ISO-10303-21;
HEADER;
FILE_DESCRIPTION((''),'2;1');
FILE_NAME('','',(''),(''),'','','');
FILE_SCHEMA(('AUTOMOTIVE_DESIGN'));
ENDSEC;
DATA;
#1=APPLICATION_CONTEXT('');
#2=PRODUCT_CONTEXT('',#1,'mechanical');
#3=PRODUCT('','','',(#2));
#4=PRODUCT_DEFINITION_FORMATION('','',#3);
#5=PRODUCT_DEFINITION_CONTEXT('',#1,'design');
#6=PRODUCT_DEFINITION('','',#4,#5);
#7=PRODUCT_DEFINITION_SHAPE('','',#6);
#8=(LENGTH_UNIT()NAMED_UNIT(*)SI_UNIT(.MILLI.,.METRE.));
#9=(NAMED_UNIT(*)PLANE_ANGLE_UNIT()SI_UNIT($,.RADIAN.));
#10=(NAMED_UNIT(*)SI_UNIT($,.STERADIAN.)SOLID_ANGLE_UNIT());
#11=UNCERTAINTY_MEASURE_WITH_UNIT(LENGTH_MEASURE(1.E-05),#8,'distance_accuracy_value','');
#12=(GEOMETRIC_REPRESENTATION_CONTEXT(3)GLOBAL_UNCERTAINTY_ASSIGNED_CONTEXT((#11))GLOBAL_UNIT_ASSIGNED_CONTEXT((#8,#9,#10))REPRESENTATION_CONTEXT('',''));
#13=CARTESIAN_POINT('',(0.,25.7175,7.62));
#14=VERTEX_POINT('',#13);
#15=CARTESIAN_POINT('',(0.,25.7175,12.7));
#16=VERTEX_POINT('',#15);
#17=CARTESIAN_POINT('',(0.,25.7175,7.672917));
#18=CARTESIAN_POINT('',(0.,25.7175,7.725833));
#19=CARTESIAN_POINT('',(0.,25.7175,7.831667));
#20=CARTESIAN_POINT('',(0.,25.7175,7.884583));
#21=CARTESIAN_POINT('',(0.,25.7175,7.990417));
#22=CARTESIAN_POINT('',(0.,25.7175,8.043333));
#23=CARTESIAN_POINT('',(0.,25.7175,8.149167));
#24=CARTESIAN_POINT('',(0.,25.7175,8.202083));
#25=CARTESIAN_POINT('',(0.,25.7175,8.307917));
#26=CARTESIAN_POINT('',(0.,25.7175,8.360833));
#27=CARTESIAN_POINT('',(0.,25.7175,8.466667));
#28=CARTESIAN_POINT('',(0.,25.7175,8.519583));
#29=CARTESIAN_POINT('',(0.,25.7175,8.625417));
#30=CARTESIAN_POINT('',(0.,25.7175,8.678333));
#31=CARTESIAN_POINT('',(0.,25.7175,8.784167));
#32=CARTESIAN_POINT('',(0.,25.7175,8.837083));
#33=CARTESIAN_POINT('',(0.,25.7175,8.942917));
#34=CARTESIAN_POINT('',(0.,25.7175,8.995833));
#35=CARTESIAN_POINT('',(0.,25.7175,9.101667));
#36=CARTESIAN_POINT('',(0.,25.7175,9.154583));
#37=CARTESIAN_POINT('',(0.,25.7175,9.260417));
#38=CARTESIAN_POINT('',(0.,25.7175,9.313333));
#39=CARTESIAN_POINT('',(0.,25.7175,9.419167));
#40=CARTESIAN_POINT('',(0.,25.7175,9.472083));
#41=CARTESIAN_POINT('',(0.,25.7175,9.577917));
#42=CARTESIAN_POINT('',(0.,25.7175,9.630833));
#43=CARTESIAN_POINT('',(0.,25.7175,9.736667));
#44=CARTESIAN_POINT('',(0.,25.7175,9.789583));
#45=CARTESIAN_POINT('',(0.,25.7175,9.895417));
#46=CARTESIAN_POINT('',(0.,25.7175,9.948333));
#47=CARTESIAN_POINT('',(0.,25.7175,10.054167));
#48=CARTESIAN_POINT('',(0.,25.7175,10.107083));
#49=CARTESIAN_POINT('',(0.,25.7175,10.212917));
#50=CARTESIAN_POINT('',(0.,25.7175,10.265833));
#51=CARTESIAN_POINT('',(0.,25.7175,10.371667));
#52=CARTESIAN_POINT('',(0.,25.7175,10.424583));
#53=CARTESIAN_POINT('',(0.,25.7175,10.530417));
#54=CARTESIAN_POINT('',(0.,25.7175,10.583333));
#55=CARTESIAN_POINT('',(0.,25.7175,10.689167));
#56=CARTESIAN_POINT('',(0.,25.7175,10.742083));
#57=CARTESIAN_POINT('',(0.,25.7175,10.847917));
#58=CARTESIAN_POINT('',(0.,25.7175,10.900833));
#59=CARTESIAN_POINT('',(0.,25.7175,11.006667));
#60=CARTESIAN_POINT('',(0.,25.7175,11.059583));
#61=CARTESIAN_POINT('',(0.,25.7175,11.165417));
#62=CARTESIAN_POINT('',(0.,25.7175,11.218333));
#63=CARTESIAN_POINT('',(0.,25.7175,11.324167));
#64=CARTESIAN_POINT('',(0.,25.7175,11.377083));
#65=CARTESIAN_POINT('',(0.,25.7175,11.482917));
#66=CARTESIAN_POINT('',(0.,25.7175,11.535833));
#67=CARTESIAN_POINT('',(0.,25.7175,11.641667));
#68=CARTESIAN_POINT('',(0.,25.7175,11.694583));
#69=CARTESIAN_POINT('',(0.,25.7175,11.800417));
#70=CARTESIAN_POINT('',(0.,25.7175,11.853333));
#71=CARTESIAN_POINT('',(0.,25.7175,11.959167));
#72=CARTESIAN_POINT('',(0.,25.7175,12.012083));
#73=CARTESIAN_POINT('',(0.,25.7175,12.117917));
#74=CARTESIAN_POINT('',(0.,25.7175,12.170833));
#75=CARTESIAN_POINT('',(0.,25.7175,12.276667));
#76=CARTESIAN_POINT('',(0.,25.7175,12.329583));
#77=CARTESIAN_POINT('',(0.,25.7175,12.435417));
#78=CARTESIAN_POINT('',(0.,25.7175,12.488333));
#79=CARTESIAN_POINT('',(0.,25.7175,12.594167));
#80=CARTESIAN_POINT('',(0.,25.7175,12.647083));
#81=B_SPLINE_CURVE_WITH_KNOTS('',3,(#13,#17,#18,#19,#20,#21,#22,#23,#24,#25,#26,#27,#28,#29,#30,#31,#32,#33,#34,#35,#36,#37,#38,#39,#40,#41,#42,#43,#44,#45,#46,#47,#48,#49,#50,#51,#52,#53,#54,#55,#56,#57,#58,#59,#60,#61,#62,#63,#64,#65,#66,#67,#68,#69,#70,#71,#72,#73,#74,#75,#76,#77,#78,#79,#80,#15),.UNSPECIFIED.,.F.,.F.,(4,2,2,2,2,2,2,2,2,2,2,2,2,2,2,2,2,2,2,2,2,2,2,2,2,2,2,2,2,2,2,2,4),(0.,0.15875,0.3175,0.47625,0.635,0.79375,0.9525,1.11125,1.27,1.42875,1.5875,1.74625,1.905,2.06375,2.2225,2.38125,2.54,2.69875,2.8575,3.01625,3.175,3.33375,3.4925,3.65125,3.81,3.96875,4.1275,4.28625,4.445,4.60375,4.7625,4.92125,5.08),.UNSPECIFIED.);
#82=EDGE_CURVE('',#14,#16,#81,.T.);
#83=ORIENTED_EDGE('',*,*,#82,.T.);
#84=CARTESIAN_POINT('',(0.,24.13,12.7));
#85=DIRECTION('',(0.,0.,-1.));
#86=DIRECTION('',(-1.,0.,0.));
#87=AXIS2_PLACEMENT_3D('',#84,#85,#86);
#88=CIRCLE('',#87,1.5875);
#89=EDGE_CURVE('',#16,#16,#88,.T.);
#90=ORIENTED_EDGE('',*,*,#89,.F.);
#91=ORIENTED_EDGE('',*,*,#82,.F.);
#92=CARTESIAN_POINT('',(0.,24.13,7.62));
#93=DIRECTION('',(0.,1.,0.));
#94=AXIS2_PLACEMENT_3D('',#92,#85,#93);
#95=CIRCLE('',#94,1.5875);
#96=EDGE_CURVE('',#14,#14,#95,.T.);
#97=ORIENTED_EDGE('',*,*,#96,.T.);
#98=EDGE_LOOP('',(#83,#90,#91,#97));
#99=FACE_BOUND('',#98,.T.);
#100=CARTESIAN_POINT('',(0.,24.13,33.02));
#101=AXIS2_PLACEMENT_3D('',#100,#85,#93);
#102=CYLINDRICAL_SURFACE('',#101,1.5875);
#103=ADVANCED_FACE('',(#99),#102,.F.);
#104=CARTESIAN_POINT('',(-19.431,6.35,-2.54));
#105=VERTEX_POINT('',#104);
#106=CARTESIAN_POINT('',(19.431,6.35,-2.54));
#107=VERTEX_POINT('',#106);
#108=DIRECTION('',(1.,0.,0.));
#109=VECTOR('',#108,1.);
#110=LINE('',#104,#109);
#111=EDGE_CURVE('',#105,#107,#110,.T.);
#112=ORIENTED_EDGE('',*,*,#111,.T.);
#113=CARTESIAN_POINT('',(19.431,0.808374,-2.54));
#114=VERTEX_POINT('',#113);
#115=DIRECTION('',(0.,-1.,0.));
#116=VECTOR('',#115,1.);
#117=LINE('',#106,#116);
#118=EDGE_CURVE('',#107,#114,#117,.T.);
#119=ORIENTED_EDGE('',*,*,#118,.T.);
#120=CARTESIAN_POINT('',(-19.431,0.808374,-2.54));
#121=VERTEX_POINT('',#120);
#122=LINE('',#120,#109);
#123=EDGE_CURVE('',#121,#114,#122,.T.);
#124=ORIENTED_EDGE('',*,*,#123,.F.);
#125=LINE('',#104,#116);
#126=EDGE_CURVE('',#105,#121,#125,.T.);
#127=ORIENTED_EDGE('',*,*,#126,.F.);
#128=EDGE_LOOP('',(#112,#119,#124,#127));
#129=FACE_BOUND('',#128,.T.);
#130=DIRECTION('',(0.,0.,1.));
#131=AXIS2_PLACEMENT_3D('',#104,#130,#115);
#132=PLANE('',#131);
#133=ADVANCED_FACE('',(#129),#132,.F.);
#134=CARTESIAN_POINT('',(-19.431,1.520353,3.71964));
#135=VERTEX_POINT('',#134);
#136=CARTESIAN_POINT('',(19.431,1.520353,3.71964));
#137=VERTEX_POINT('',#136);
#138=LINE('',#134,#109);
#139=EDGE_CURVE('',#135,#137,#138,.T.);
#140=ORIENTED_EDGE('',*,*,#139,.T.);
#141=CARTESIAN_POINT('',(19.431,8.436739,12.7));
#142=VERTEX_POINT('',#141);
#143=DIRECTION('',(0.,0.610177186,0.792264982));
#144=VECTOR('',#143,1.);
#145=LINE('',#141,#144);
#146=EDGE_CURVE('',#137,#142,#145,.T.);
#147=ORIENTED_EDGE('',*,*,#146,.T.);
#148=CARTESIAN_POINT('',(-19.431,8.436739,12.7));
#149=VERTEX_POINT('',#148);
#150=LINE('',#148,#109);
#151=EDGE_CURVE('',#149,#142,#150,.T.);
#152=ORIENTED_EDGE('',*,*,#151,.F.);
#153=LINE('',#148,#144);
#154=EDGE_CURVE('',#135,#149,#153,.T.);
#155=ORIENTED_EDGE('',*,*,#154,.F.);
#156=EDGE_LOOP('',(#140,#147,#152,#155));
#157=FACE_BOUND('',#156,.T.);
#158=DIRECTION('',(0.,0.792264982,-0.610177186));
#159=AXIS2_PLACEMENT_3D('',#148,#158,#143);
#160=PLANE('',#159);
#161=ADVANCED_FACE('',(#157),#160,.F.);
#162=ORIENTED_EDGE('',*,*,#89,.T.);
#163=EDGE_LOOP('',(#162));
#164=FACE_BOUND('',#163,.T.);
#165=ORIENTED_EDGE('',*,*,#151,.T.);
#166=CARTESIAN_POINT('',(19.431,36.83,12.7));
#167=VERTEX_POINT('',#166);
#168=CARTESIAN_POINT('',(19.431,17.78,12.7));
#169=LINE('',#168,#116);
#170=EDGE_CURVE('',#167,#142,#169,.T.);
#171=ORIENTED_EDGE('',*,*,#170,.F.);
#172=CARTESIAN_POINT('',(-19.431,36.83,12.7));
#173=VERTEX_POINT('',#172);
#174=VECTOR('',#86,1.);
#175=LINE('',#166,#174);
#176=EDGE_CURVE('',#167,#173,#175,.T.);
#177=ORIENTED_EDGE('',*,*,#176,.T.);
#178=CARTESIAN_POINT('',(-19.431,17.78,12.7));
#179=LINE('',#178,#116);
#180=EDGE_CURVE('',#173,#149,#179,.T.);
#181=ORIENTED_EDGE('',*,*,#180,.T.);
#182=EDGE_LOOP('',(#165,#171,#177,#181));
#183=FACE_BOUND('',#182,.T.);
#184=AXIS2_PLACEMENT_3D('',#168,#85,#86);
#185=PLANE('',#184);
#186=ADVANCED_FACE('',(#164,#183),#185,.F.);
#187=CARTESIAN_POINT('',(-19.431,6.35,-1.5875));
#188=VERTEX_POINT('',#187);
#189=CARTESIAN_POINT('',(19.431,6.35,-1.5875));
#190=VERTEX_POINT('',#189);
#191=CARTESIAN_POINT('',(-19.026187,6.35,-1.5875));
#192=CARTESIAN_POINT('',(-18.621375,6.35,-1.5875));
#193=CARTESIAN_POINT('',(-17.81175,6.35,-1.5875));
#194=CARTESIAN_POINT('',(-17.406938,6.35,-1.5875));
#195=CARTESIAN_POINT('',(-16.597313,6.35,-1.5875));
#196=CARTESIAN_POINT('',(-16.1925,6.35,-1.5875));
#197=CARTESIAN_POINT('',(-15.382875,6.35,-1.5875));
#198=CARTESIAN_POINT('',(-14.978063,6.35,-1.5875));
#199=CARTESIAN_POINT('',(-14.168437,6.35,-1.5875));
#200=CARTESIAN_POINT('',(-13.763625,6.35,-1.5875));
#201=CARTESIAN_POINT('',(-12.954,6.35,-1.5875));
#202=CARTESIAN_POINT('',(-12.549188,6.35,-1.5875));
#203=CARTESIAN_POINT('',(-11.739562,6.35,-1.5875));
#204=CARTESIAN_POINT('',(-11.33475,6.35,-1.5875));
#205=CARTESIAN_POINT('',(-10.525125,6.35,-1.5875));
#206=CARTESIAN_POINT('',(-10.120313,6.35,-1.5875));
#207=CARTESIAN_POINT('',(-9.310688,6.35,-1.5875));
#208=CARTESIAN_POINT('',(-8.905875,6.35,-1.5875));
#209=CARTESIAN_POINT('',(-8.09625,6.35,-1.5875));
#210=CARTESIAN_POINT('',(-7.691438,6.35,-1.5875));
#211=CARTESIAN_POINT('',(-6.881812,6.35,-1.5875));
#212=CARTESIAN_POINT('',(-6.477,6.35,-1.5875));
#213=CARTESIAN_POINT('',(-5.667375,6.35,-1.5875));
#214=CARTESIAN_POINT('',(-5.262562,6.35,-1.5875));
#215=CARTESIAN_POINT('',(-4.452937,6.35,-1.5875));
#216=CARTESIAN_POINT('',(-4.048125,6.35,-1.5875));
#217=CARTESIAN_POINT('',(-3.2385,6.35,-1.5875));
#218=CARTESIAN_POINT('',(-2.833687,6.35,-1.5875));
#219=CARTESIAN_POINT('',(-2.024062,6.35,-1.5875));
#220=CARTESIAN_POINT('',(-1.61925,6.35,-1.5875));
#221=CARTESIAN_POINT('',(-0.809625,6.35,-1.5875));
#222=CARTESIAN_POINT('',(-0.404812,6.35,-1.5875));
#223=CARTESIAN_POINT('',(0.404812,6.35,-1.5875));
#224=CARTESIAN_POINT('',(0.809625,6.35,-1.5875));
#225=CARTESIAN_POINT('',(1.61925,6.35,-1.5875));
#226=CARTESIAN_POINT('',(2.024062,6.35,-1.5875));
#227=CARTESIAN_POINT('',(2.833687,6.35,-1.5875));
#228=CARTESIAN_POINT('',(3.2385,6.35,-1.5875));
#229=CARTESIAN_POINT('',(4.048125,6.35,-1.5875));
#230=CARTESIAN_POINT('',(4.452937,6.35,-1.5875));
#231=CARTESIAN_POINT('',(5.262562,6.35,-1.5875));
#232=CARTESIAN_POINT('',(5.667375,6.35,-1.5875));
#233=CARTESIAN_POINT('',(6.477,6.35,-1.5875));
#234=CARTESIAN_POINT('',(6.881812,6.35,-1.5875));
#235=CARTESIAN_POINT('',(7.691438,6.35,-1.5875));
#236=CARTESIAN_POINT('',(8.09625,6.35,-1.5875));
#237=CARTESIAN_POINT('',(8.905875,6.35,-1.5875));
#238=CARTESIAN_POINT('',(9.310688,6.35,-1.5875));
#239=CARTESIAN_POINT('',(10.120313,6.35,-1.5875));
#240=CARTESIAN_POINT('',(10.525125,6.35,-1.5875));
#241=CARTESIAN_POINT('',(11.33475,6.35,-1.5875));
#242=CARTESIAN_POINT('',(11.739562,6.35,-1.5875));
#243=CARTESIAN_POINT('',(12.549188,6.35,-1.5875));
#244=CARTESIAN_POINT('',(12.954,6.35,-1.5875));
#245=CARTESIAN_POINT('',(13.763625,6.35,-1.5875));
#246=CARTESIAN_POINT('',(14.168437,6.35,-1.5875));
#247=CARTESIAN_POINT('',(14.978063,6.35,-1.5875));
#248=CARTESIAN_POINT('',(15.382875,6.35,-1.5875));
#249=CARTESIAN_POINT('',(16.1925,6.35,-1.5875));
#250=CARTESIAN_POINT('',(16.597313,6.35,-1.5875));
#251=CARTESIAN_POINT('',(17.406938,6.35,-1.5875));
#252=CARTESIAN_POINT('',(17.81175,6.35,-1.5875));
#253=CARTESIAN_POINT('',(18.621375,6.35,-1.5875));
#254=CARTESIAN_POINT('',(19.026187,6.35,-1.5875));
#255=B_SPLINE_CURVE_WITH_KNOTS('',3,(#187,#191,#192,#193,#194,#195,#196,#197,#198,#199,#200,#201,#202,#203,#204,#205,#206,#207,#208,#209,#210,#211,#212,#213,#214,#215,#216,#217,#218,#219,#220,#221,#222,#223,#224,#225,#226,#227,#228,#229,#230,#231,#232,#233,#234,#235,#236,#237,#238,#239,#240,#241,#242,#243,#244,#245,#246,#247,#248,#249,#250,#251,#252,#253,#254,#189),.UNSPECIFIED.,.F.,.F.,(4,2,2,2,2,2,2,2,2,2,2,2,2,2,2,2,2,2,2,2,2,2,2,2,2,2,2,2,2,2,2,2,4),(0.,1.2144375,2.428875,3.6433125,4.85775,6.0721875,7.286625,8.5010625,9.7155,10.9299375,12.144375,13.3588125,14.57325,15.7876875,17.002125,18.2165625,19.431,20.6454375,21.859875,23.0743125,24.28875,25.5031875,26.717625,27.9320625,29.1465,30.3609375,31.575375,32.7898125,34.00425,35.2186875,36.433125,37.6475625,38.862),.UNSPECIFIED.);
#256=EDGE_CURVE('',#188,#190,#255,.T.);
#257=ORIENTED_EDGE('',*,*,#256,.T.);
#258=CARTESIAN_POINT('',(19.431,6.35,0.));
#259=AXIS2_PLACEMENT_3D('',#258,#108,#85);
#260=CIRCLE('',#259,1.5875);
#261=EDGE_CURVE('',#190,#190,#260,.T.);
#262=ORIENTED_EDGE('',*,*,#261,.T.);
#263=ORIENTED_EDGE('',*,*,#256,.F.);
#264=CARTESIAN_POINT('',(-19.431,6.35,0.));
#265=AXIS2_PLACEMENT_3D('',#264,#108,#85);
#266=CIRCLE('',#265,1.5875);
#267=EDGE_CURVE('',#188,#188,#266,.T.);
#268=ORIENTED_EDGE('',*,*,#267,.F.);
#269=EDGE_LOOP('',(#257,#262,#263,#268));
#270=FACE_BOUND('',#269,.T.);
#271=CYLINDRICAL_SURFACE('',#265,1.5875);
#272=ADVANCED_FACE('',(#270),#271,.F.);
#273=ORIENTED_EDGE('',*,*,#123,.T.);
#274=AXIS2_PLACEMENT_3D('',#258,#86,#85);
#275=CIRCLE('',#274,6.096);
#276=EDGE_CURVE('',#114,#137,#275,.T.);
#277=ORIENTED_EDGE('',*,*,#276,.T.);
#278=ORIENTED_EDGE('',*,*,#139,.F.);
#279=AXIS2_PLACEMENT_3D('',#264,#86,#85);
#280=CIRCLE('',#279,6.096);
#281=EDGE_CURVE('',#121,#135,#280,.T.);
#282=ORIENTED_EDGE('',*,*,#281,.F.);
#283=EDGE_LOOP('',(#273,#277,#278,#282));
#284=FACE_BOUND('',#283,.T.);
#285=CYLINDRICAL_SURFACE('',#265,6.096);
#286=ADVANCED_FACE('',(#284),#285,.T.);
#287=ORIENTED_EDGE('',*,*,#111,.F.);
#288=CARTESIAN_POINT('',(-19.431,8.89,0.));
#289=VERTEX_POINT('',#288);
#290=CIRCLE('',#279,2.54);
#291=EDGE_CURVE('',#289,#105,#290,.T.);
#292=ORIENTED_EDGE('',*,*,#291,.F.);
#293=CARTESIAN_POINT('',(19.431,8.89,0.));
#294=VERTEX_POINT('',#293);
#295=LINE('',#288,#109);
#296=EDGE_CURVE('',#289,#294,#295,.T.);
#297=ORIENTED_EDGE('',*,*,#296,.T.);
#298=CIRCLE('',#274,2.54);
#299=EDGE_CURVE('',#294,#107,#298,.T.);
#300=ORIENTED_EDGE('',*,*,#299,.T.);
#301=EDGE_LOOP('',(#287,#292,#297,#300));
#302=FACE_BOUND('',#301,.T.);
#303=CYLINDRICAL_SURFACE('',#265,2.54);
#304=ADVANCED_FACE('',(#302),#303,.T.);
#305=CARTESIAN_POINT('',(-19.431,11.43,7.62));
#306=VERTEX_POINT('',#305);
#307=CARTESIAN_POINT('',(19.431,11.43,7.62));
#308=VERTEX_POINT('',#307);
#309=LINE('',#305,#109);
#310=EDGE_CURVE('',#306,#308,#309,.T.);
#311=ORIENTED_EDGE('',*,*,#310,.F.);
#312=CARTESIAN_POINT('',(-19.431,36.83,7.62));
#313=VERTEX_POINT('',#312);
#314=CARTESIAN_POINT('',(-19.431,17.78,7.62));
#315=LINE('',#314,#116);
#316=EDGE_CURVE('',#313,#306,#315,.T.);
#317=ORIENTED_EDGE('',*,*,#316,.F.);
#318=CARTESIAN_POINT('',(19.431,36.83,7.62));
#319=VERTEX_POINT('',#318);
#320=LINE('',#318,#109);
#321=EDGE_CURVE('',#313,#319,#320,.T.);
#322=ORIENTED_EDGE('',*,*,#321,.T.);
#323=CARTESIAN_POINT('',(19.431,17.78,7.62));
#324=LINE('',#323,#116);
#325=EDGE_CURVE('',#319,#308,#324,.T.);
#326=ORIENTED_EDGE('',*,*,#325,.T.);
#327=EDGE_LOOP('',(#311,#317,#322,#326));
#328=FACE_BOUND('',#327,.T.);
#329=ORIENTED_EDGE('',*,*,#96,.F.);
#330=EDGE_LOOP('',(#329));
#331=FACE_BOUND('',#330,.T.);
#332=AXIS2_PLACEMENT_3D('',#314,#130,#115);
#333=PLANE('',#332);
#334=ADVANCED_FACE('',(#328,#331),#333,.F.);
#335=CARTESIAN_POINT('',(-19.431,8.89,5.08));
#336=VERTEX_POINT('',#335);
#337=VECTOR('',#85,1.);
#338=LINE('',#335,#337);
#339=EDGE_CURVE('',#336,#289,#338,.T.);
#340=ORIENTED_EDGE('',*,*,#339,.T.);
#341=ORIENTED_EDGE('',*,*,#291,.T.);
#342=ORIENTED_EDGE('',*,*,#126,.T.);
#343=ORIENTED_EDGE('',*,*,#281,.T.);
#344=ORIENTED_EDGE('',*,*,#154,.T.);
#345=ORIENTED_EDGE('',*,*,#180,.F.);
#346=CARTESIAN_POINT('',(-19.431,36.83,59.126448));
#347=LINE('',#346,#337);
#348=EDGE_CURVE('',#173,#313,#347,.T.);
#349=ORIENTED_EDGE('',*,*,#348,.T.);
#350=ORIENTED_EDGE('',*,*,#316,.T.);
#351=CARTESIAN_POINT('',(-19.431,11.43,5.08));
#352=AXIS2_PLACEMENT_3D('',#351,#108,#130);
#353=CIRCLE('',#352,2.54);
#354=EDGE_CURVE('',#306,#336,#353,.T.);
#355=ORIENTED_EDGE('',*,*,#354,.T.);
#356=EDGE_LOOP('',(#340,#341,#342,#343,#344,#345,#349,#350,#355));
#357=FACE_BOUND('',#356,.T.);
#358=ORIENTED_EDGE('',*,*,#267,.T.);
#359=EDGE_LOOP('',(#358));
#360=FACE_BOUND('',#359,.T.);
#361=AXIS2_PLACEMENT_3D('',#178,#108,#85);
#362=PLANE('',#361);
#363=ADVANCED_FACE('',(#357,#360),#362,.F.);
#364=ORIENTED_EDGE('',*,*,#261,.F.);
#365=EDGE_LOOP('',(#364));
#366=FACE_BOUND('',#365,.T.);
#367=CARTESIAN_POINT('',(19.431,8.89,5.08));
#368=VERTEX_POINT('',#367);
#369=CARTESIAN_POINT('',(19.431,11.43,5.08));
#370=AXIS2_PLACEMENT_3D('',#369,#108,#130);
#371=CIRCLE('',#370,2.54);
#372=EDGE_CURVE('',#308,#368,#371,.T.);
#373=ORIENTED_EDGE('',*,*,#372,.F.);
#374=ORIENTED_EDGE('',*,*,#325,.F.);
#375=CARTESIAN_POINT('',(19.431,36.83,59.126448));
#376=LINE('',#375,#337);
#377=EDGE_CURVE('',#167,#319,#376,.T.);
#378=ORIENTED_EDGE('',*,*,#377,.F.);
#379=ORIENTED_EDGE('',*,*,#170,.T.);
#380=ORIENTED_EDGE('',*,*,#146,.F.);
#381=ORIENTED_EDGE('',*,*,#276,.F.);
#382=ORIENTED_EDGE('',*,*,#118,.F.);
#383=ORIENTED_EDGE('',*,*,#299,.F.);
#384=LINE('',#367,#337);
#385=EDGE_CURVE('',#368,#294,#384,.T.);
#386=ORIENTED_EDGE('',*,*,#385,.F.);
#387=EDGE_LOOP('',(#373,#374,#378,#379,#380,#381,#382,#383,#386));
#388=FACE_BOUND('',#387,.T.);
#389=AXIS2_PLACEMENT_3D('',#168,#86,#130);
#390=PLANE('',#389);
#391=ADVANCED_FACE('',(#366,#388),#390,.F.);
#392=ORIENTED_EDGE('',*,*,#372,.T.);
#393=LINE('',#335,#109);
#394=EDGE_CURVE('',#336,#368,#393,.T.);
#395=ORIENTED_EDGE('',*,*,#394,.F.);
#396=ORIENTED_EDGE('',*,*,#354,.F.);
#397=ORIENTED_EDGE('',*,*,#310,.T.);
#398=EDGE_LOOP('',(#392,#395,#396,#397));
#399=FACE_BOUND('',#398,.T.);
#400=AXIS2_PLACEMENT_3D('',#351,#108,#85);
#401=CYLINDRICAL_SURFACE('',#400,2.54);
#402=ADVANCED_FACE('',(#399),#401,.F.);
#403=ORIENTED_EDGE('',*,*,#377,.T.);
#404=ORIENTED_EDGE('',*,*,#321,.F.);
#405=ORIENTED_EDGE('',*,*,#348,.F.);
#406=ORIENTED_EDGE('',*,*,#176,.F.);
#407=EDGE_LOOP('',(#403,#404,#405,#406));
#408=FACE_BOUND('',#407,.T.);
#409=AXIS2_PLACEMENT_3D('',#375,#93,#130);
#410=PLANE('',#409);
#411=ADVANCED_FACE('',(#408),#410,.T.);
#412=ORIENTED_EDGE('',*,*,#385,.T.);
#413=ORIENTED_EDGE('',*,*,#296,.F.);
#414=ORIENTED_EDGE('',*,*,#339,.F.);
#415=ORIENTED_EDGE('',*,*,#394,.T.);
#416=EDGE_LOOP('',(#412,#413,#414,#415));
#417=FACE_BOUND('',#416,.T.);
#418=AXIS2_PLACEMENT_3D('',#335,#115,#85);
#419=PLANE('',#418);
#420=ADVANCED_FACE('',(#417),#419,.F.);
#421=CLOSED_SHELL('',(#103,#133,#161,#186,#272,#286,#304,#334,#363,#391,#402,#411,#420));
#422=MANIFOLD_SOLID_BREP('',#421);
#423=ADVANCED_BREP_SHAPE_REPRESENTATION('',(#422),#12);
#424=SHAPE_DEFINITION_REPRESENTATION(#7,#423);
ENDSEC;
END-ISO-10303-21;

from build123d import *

# Parameters (mm, degrees)
SKETCH1_W           = 38.862
SKETCH1_H           = 25.4
BOSS_EXTRUDE1_DEPTH = 17.78
SKETCH2_R           = 1.5875
CUT_EXTRUDE1_DEPTH  = 45.583331459
CUT_EXTRUDE2_DEPTH  = 45.583331459
SKETCH4_W           = 38.862
SKETCH4_H           = 25.4
BOSS_EXTRUDE2_DEPTH = 5.08
SKETCH5_R           = 1.5875
CUT_EXTRUDE3_DEPTH  = 25.4
CUT_EXTRUDE4_DEPTH  = 56.027210941
CUT_EXTRUDE5_DEPTH  = 56.027210941


with BuildPart() as part:
    # Sketch1 → Boss-Extrude1 (new body)
    with BuildSketch(Plane(origin=(0, 0, 0), x_dir=(1, 0, 0), z_dir=(0, 1, 0))):
        Rectangle(SKETCH1_W, SKETCH1_H)
    extrude(amount=BOSS_EXTRUDE1_DEPTH)

    # Sketch2 → Cut-Extrude1 (cut, through all)
    with BuildSketch(Plane(origin=(19.431, 0, 0), x_dir=(0, 0, -1), z_dir=(1, 0, 0))):
        with Locations((0, 6.35)):
            Circle(SKETCH2_R)
    extrude(amount=-CUT_EXTRUDE1_DEPTH, mode=Mode.SUBTRACT)

    # Sketch3 → Cut-Extrude2 (cut, through all)
    with BuildSketch(Plane(origin=(19.431, 0, 0), x_dir=(0, 0, -1), z_dir=(1, 0, 0))):
        with BuildLine():
            Line((-7.62, 17.78), (-7.62, 11.43))
            ThreePointArc((-7.62, 11.43), (-6.876051224, 9.633948776), (-5.08, 8.89))
            Line((-5.08, 8.89), (0, 8.89))
            ThreePointArc((0, 8.89), (1.796051224, 8.146051224), (2.54, 6.35))
            Line((2.54, 6.35), (2.54, 0))
            Line((2.54, 0), (12.7, 0))
            Line((12.7, 0), (12.7, 17.78))
            Line((12.7, 17.78), (-7.62, 17.78))
        make_face()
    extrude(amount=-CUT_EXTRUDE2_DEPTH, mode=Mode.SUBTRACT)

    # Sketch4 → Boss-Extrude2 (add)
    with BuildSketch(Plane(origin=(0, 0, 7.62), x_dir=(-1, 0, 0), z_dir=(0, 0, -1))):
        with Locations((0, 24.13)):
            Rectangle(SKETCH4_W, SKETCH4_H)
    extrude(amount=-BOSS_EXTRUDE2_DEPTH)

    # Sketch5 → Cut-Extrude3 (cut)
    with BuildSketch(Plane(origin=(0, 0, 7.62), x_dir=(-1, 0, 0), z_dir=(0, 0, -1))):
        with Locations(Location((0, 24.13, 0), (0, 0, 90))):
            Circle(SKETCH5_R)
    extrude(amount=-CUT_EXTRUDE3_DEPTH, mode=Mode.SUBTRACT)

    # Sketch6 → Cut-Extrude4 (cut, through all)
    with BuildSketch(Plane(origin=(19.431, 0, 0), x_dir=(0, 0, -1), z_dir=(1, 0, 0))):
        with BuildLine():
            ThreePointArc((2.1e-08, 0), (-2.046508636, 0.338818552), (-3.874625133, 1.319117366))
            Line((-3.874625133, 1.319117366), (-12.7, 8.116139232))
            Line((-12.7, 8.116139232), (-12.7, 0))
            Line((-12.7, 0), (2.1e-08, 0))
        make_face()
        with BuildLine():
            ThreePointArc((2.54, 0.530128867), (1.297366248, 0.133944915), (2.1e-08, 0))
            Line((2.1e-08, 0), (2.54, 0))
            Line((2.54, 0), (2.54, 0.530128867))
        make_face()
    extrude(amount=-CUT_EXTRUDE4_DEPTH, mode=Mode.SUBTRACT)

    # Sketch7 → Cut-Extrude5 (cut, through all)
    with BuildSketch(Plane(origin=(19.431, 0, 0), x_dir=(0, 0, -1), z_dir=(1, 0, 0))):
        with BuildLine():
            Line((-12.7, 8.436739039), (-3.719640128, 1.520352671))
            ThreePointArc((-3.719640128, 1.520352671), (-0.688923818, 0.293053577), (2.54, 0.808374246))
            Line((2.54, 0.808374246), (2.54, 0.530128867))
            ThreePointArc((2.54, 0.530128867), (-0.775197894, 0.047495083), (-3.874625133, 1.319117366))
            Line((-3.874625133, 1.319117366), (-12.7, 8.116139232))
            Line((-12.7, 8.116139232), (-12.7, 8.436739039))
        make_face()
    extrude(amount=-CUT_EXTRUDE5_DEPTH, mode=Mode.SUBTRACT)


solid = part.part
